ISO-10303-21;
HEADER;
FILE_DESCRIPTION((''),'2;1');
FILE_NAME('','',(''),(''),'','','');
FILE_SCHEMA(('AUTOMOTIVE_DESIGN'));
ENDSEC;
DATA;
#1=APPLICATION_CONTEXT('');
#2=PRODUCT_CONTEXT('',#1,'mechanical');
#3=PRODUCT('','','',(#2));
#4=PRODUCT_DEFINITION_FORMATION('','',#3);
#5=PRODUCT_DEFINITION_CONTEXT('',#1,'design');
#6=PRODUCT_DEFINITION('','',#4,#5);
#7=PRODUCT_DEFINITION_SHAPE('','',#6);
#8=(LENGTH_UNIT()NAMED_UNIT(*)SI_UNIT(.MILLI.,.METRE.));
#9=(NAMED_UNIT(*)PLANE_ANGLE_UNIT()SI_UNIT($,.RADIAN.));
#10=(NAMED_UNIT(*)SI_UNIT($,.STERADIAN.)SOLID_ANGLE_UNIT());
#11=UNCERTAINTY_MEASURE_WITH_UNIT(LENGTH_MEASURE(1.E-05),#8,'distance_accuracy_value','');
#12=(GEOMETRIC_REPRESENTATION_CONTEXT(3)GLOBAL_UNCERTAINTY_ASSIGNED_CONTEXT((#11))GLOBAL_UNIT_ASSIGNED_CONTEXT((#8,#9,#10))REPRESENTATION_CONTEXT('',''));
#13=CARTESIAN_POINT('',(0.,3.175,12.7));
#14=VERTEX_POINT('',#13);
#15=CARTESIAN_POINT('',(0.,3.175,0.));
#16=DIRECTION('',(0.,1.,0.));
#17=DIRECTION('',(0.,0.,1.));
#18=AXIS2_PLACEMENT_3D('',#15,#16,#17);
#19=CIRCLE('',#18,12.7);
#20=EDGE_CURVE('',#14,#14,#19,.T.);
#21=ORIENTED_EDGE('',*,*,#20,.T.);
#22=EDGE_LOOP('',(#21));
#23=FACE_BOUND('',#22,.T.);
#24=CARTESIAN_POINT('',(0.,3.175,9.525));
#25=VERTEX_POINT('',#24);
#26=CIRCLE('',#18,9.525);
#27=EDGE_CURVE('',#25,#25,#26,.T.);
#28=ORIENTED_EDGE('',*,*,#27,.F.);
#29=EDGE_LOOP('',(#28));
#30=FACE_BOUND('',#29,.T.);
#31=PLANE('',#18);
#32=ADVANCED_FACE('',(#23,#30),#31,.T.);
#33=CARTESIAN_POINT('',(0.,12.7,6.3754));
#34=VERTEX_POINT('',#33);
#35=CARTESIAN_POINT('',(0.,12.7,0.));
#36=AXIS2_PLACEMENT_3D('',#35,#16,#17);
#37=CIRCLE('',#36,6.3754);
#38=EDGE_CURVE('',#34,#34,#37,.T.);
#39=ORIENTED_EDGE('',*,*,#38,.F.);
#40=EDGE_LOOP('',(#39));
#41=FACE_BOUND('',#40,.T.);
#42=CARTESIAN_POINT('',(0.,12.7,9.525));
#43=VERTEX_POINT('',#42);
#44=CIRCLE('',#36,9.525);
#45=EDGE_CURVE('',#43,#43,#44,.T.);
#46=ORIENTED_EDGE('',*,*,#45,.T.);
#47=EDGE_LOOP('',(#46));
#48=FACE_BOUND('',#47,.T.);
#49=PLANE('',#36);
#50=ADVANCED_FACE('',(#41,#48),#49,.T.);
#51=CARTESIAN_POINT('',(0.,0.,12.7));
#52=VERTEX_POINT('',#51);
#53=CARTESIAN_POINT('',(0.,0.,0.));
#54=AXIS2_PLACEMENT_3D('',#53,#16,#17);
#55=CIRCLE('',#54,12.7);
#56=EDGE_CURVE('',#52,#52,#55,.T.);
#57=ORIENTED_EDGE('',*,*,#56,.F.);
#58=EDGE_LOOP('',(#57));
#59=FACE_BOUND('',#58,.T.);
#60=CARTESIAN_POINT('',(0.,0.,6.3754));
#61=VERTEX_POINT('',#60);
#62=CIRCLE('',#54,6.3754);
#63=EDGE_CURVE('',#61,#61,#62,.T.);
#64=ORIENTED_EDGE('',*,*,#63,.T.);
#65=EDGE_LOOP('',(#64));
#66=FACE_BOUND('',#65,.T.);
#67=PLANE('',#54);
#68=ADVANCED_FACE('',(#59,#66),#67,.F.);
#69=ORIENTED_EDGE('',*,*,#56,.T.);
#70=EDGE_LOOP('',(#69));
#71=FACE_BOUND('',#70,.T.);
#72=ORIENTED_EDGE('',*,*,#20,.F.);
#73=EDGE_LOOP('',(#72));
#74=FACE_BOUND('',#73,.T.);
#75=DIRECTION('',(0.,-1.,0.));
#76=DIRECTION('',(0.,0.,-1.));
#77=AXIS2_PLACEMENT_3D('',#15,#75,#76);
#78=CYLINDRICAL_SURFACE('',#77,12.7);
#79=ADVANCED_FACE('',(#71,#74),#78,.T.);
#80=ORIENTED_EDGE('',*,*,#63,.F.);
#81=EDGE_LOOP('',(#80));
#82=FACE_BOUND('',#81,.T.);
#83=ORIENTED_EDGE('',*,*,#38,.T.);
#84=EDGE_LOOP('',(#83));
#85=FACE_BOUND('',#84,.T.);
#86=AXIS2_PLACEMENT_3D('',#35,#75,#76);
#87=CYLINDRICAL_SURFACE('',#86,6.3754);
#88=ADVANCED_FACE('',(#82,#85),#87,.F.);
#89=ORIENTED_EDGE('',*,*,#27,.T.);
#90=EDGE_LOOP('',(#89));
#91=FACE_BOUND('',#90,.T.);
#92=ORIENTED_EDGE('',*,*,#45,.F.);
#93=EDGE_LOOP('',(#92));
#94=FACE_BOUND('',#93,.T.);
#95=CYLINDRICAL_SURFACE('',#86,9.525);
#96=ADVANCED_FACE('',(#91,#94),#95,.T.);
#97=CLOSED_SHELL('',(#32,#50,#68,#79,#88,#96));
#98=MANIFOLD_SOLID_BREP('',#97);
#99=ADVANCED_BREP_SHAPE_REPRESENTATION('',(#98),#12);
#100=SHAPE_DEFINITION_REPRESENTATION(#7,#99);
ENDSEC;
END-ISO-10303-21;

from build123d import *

# Parameters (mm, degrees)
SKETCH2_R           = 9.525
SKETCH2_R_2         = 6.3754
BOSS_EXTRUDE1_DEPTH = 12.7
SKETCH3_R           = 12.7
SKETCH3_R_2         = 9.525
BOSS_EXTRUDE2_DEPTH = 3.175


with BuildPart() as part:
    # Sketch2 → Boss-Extrude1 (new body)
    with BuildSketch(Plane(origin=(0, 0, 0), x_dir=(1, 0, 0), z_dir=(0, 1, 0))):
        with Locations(Location((0, 0, 0), (0, 0, 270))):
            Circle(SKETCH2_R)
        with Locations(Location((0, 0, 0), (0, 0, 270))):
            Circle(SKETCH2_R_2, mode=Mode.SUBTRACT)
    extrude(amount=BOSS_EXTRUDE1_DEPTH)

    # Sketch3 → Boss-Extrude2 (add)
    with BuildSketch(Plane(origin=(0, 0, 0), x_dir=(1, 0, 0), z_dir=(0, 1, 0))):
        with Locations(Location((0, 0, 0), (0, 0, 270))):
            Circle(SKETCH3_R)
        with Locations(Location((0, 0, 0), (0, 0, 270))):
            Circle(SKETCH3_R_2, mode=Mode.SUBTRACT)
    extrude(amount=BOSS_EXTRUDE2_DEPTH)


solid = part.part
